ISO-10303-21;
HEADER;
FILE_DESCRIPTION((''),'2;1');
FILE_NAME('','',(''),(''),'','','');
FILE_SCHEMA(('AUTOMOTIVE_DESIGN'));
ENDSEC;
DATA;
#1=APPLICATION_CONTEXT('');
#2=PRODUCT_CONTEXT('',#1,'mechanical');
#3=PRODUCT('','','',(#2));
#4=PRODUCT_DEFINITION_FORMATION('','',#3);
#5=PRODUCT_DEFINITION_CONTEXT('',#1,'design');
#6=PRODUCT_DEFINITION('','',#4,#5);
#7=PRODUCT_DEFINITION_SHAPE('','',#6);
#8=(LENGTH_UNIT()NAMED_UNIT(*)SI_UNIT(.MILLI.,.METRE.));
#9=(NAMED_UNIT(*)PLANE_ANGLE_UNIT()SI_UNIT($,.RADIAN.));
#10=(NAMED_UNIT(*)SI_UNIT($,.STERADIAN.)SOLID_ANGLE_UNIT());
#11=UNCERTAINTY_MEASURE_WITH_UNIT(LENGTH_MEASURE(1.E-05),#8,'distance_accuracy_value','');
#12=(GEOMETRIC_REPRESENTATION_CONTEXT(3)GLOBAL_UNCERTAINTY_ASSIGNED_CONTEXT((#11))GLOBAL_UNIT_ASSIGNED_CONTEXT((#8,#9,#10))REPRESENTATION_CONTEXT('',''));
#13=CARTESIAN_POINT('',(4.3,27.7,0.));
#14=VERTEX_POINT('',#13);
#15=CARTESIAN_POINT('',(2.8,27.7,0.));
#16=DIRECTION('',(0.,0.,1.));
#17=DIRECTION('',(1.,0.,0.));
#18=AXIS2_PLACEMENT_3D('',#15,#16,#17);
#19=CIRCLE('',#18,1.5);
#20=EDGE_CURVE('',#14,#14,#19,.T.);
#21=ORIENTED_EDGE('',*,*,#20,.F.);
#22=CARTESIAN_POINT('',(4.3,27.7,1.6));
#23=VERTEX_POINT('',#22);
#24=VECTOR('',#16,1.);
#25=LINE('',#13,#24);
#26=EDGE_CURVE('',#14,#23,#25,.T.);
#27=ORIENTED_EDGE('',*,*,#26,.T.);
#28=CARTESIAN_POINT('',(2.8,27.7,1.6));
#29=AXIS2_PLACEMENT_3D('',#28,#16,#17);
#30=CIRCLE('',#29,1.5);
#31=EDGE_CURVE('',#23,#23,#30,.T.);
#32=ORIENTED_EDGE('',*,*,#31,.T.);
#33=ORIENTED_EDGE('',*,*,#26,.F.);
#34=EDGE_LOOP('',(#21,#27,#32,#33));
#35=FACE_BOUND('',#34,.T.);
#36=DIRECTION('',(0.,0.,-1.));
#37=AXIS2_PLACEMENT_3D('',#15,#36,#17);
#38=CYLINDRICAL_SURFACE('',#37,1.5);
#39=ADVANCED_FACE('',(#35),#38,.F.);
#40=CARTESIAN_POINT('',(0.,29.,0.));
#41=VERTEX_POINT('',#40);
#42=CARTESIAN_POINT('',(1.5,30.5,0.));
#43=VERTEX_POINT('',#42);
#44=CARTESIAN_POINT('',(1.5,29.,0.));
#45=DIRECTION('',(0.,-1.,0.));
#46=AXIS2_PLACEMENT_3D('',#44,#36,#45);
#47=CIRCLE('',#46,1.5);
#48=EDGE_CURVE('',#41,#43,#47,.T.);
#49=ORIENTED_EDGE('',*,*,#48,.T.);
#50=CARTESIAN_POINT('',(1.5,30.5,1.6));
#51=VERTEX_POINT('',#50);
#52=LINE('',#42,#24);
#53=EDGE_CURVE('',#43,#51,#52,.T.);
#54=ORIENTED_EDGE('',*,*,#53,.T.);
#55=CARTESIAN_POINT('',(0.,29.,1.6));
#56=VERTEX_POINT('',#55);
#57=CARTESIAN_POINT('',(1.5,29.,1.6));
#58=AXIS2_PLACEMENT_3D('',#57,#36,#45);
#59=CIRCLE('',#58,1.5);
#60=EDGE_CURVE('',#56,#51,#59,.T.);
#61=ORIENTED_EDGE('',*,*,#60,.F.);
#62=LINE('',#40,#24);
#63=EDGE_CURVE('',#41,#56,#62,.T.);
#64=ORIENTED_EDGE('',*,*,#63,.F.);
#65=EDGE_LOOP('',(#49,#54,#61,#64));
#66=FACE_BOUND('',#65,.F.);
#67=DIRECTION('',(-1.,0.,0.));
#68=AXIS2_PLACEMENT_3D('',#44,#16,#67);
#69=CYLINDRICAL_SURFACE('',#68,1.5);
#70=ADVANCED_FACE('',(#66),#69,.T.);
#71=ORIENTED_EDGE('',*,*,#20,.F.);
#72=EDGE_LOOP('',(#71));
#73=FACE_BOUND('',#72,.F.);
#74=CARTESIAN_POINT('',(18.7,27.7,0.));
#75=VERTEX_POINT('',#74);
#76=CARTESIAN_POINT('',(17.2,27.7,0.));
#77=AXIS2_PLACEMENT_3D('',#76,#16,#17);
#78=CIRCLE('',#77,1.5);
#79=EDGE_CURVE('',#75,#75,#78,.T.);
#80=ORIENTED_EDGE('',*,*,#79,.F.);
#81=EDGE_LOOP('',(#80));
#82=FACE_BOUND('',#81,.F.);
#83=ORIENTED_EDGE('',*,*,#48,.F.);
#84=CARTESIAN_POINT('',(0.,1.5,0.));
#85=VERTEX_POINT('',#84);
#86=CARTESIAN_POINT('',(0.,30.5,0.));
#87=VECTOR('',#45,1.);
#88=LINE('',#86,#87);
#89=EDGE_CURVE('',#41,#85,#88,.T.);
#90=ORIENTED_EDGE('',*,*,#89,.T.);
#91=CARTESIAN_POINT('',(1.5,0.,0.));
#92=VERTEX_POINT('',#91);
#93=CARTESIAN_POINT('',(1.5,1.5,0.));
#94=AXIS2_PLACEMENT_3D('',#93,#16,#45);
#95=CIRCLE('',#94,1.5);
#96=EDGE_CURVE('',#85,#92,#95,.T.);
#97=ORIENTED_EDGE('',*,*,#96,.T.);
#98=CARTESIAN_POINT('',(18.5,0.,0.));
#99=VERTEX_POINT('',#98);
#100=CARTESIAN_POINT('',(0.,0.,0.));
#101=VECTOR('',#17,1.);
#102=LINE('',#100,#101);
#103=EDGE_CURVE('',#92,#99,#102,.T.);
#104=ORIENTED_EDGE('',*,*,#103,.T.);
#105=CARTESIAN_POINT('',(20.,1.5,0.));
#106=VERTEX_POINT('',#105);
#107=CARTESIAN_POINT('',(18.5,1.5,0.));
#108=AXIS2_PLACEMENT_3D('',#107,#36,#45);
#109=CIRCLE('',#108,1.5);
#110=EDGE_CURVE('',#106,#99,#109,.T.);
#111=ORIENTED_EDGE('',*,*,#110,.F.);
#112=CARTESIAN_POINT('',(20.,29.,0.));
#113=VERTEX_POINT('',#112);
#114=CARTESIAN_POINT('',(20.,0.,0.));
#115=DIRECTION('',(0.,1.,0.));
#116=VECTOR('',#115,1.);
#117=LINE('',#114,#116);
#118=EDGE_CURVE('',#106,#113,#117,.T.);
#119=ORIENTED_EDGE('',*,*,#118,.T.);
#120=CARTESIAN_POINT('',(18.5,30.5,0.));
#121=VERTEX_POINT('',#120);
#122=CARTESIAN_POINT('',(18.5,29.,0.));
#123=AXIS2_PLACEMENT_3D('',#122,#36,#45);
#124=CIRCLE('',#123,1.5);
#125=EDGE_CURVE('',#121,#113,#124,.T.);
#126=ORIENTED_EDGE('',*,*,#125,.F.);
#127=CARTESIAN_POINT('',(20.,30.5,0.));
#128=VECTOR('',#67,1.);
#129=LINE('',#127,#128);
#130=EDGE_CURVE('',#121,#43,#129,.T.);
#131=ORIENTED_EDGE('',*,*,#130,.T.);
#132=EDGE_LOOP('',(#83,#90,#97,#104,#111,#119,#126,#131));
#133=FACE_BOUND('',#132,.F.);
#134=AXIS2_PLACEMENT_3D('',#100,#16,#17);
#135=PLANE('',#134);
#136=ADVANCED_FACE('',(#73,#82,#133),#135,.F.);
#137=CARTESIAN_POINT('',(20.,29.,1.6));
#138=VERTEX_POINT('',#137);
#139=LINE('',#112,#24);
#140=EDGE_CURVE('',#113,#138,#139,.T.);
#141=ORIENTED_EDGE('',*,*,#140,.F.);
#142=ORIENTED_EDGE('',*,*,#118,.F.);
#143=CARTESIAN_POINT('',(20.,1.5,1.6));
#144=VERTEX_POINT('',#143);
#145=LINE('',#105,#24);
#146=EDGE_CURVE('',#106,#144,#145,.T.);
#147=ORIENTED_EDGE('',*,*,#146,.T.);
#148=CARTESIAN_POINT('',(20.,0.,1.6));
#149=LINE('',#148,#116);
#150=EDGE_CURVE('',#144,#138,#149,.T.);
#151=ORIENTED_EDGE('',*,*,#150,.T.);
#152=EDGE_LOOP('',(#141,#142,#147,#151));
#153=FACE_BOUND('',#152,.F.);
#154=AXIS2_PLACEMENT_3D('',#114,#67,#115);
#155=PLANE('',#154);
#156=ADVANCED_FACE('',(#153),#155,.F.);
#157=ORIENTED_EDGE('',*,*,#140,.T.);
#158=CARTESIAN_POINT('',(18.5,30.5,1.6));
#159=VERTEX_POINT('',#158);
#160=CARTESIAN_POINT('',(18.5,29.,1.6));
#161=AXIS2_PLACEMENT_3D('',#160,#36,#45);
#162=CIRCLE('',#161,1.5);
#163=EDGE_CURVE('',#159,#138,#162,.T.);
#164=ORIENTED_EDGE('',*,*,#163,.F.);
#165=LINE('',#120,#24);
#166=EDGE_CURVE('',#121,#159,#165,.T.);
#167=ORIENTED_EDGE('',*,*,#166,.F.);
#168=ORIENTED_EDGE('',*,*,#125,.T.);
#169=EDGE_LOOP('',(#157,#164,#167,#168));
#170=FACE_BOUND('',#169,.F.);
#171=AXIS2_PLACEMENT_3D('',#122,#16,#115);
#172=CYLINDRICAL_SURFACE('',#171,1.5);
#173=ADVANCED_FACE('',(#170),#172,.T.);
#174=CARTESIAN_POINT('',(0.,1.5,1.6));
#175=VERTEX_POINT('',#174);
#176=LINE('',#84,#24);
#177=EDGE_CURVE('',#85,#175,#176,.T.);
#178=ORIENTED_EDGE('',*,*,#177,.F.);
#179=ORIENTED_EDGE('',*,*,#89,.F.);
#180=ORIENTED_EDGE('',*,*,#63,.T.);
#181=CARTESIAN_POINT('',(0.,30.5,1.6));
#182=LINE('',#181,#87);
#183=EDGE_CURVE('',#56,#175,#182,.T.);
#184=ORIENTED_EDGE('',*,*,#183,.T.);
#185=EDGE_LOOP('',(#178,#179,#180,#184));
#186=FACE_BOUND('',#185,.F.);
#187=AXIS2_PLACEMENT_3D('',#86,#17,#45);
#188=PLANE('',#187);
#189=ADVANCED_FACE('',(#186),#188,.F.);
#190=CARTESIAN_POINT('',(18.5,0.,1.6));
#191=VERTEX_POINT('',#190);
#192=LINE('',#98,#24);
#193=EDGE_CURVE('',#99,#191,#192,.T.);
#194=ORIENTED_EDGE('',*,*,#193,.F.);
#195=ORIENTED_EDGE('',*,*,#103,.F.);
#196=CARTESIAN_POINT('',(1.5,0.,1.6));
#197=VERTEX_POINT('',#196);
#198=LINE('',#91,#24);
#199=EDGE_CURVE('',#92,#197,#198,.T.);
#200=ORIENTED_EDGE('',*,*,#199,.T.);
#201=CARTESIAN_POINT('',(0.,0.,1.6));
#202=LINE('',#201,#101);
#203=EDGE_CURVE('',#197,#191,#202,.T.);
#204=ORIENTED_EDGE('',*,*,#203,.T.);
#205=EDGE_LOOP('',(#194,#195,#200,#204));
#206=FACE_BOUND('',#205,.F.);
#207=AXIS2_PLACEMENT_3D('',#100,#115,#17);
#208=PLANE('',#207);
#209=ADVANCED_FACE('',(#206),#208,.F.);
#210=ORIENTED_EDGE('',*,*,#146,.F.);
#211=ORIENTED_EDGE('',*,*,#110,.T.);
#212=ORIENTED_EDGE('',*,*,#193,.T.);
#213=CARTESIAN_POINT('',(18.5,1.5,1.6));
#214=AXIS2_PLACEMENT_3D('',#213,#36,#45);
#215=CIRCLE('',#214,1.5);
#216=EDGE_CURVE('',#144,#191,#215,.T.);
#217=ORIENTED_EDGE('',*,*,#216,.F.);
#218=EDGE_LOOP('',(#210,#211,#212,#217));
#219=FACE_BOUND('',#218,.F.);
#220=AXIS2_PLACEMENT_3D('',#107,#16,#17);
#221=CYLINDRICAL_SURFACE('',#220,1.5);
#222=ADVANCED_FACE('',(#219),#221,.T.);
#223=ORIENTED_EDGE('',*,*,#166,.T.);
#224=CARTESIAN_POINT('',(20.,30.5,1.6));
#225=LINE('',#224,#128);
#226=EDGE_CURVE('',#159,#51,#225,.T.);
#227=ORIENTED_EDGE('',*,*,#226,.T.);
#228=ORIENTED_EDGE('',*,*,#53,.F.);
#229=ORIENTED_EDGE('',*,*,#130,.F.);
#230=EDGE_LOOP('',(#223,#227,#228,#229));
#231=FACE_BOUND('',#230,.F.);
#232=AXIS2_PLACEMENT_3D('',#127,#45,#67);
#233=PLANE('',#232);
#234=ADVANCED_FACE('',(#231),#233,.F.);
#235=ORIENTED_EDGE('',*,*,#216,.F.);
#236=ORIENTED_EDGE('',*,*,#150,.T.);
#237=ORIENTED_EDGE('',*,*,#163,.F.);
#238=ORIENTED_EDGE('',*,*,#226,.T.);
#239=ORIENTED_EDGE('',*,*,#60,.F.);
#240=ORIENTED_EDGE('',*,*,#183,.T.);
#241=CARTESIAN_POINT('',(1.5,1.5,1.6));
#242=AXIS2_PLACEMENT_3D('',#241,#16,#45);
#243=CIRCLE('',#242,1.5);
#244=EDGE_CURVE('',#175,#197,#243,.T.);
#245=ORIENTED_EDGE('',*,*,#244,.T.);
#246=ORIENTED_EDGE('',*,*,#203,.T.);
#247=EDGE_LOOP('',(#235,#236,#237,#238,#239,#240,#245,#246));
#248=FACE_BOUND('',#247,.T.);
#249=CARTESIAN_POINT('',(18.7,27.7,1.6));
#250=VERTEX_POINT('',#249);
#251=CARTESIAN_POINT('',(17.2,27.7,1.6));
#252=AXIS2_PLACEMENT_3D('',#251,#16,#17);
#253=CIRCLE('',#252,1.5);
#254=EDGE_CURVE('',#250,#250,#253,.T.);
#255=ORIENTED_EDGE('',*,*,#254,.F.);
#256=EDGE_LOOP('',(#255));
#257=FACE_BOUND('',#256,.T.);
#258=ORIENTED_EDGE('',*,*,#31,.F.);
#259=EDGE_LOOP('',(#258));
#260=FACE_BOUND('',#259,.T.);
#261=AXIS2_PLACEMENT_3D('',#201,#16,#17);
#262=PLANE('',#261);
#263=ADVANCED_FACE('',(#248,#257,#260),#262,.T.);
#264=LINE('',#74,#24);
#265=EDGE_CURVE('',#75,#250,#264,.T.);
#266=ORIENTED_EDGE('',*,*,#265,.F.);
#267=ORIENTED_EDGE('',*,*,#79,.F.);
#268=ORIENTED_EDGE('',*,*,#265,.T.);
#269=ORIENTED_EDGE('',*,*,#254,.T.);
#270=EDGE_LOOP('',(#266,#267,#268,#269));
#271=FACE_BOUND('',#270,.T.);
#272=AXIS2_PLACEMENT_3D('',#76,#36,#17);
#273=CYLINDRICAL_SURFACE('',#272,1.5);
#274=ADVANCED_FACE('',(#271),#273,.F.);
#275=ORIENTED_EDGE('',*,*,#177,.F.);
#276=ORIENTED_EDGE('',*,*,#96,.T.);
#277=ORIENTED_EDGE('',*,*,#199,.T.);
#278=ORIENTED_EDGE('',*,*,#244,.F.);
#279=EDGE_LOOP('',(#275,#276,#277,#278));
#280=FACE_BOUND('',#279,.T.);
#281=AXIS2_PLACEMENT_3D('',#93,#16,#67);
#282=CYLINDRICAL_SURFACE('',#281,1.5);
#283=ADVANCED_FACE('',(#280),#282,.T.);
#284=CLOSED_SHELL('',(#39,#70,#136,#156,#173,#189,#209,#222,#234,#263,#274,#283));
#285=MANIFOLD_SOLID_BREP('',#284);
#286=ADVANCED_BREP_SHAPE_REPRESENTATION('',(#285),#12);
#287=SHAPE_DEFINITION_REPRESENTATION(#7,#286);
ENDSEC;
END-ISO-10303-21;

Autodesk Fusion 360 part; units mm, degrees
sketch "Sketch1" plane through (0, 0, 0) normal (0, 0, 1) x (1, 0, 0)
  line L0 (0, 0) -> (20, 0)
  line L1 (20, 0) -> (20, 30.5)
  line L2 (20, 30.5) -> (0, 30.5)
  line L3 (0, 30.5) -> (0, 0)
  line L4 (10, 30.5) -> (10, 0) construction
  circle A0 centre (2.8, 27.7) radius 1.5
  circle A1 centre (17.2, 27.7) radius 1.5
  dimension "d1" = 20
  dimension "d2" = 30.5
  dimension "d5" = 3
  dimension "d6" = 7.2
  dimension "d7" = 2.8
extrude "Extrude1" add sketch "Sketch1" along normal blind 1.6
fillet "Fillet1" radius 1.5 4 edges at (0, 30.5, 0.8) (20, 30.5, 0.8) (0, 0, 0.8) (20, 0, 0.8)
equation "d6 = ( 14.4 / 2 ) * 1 mm"
